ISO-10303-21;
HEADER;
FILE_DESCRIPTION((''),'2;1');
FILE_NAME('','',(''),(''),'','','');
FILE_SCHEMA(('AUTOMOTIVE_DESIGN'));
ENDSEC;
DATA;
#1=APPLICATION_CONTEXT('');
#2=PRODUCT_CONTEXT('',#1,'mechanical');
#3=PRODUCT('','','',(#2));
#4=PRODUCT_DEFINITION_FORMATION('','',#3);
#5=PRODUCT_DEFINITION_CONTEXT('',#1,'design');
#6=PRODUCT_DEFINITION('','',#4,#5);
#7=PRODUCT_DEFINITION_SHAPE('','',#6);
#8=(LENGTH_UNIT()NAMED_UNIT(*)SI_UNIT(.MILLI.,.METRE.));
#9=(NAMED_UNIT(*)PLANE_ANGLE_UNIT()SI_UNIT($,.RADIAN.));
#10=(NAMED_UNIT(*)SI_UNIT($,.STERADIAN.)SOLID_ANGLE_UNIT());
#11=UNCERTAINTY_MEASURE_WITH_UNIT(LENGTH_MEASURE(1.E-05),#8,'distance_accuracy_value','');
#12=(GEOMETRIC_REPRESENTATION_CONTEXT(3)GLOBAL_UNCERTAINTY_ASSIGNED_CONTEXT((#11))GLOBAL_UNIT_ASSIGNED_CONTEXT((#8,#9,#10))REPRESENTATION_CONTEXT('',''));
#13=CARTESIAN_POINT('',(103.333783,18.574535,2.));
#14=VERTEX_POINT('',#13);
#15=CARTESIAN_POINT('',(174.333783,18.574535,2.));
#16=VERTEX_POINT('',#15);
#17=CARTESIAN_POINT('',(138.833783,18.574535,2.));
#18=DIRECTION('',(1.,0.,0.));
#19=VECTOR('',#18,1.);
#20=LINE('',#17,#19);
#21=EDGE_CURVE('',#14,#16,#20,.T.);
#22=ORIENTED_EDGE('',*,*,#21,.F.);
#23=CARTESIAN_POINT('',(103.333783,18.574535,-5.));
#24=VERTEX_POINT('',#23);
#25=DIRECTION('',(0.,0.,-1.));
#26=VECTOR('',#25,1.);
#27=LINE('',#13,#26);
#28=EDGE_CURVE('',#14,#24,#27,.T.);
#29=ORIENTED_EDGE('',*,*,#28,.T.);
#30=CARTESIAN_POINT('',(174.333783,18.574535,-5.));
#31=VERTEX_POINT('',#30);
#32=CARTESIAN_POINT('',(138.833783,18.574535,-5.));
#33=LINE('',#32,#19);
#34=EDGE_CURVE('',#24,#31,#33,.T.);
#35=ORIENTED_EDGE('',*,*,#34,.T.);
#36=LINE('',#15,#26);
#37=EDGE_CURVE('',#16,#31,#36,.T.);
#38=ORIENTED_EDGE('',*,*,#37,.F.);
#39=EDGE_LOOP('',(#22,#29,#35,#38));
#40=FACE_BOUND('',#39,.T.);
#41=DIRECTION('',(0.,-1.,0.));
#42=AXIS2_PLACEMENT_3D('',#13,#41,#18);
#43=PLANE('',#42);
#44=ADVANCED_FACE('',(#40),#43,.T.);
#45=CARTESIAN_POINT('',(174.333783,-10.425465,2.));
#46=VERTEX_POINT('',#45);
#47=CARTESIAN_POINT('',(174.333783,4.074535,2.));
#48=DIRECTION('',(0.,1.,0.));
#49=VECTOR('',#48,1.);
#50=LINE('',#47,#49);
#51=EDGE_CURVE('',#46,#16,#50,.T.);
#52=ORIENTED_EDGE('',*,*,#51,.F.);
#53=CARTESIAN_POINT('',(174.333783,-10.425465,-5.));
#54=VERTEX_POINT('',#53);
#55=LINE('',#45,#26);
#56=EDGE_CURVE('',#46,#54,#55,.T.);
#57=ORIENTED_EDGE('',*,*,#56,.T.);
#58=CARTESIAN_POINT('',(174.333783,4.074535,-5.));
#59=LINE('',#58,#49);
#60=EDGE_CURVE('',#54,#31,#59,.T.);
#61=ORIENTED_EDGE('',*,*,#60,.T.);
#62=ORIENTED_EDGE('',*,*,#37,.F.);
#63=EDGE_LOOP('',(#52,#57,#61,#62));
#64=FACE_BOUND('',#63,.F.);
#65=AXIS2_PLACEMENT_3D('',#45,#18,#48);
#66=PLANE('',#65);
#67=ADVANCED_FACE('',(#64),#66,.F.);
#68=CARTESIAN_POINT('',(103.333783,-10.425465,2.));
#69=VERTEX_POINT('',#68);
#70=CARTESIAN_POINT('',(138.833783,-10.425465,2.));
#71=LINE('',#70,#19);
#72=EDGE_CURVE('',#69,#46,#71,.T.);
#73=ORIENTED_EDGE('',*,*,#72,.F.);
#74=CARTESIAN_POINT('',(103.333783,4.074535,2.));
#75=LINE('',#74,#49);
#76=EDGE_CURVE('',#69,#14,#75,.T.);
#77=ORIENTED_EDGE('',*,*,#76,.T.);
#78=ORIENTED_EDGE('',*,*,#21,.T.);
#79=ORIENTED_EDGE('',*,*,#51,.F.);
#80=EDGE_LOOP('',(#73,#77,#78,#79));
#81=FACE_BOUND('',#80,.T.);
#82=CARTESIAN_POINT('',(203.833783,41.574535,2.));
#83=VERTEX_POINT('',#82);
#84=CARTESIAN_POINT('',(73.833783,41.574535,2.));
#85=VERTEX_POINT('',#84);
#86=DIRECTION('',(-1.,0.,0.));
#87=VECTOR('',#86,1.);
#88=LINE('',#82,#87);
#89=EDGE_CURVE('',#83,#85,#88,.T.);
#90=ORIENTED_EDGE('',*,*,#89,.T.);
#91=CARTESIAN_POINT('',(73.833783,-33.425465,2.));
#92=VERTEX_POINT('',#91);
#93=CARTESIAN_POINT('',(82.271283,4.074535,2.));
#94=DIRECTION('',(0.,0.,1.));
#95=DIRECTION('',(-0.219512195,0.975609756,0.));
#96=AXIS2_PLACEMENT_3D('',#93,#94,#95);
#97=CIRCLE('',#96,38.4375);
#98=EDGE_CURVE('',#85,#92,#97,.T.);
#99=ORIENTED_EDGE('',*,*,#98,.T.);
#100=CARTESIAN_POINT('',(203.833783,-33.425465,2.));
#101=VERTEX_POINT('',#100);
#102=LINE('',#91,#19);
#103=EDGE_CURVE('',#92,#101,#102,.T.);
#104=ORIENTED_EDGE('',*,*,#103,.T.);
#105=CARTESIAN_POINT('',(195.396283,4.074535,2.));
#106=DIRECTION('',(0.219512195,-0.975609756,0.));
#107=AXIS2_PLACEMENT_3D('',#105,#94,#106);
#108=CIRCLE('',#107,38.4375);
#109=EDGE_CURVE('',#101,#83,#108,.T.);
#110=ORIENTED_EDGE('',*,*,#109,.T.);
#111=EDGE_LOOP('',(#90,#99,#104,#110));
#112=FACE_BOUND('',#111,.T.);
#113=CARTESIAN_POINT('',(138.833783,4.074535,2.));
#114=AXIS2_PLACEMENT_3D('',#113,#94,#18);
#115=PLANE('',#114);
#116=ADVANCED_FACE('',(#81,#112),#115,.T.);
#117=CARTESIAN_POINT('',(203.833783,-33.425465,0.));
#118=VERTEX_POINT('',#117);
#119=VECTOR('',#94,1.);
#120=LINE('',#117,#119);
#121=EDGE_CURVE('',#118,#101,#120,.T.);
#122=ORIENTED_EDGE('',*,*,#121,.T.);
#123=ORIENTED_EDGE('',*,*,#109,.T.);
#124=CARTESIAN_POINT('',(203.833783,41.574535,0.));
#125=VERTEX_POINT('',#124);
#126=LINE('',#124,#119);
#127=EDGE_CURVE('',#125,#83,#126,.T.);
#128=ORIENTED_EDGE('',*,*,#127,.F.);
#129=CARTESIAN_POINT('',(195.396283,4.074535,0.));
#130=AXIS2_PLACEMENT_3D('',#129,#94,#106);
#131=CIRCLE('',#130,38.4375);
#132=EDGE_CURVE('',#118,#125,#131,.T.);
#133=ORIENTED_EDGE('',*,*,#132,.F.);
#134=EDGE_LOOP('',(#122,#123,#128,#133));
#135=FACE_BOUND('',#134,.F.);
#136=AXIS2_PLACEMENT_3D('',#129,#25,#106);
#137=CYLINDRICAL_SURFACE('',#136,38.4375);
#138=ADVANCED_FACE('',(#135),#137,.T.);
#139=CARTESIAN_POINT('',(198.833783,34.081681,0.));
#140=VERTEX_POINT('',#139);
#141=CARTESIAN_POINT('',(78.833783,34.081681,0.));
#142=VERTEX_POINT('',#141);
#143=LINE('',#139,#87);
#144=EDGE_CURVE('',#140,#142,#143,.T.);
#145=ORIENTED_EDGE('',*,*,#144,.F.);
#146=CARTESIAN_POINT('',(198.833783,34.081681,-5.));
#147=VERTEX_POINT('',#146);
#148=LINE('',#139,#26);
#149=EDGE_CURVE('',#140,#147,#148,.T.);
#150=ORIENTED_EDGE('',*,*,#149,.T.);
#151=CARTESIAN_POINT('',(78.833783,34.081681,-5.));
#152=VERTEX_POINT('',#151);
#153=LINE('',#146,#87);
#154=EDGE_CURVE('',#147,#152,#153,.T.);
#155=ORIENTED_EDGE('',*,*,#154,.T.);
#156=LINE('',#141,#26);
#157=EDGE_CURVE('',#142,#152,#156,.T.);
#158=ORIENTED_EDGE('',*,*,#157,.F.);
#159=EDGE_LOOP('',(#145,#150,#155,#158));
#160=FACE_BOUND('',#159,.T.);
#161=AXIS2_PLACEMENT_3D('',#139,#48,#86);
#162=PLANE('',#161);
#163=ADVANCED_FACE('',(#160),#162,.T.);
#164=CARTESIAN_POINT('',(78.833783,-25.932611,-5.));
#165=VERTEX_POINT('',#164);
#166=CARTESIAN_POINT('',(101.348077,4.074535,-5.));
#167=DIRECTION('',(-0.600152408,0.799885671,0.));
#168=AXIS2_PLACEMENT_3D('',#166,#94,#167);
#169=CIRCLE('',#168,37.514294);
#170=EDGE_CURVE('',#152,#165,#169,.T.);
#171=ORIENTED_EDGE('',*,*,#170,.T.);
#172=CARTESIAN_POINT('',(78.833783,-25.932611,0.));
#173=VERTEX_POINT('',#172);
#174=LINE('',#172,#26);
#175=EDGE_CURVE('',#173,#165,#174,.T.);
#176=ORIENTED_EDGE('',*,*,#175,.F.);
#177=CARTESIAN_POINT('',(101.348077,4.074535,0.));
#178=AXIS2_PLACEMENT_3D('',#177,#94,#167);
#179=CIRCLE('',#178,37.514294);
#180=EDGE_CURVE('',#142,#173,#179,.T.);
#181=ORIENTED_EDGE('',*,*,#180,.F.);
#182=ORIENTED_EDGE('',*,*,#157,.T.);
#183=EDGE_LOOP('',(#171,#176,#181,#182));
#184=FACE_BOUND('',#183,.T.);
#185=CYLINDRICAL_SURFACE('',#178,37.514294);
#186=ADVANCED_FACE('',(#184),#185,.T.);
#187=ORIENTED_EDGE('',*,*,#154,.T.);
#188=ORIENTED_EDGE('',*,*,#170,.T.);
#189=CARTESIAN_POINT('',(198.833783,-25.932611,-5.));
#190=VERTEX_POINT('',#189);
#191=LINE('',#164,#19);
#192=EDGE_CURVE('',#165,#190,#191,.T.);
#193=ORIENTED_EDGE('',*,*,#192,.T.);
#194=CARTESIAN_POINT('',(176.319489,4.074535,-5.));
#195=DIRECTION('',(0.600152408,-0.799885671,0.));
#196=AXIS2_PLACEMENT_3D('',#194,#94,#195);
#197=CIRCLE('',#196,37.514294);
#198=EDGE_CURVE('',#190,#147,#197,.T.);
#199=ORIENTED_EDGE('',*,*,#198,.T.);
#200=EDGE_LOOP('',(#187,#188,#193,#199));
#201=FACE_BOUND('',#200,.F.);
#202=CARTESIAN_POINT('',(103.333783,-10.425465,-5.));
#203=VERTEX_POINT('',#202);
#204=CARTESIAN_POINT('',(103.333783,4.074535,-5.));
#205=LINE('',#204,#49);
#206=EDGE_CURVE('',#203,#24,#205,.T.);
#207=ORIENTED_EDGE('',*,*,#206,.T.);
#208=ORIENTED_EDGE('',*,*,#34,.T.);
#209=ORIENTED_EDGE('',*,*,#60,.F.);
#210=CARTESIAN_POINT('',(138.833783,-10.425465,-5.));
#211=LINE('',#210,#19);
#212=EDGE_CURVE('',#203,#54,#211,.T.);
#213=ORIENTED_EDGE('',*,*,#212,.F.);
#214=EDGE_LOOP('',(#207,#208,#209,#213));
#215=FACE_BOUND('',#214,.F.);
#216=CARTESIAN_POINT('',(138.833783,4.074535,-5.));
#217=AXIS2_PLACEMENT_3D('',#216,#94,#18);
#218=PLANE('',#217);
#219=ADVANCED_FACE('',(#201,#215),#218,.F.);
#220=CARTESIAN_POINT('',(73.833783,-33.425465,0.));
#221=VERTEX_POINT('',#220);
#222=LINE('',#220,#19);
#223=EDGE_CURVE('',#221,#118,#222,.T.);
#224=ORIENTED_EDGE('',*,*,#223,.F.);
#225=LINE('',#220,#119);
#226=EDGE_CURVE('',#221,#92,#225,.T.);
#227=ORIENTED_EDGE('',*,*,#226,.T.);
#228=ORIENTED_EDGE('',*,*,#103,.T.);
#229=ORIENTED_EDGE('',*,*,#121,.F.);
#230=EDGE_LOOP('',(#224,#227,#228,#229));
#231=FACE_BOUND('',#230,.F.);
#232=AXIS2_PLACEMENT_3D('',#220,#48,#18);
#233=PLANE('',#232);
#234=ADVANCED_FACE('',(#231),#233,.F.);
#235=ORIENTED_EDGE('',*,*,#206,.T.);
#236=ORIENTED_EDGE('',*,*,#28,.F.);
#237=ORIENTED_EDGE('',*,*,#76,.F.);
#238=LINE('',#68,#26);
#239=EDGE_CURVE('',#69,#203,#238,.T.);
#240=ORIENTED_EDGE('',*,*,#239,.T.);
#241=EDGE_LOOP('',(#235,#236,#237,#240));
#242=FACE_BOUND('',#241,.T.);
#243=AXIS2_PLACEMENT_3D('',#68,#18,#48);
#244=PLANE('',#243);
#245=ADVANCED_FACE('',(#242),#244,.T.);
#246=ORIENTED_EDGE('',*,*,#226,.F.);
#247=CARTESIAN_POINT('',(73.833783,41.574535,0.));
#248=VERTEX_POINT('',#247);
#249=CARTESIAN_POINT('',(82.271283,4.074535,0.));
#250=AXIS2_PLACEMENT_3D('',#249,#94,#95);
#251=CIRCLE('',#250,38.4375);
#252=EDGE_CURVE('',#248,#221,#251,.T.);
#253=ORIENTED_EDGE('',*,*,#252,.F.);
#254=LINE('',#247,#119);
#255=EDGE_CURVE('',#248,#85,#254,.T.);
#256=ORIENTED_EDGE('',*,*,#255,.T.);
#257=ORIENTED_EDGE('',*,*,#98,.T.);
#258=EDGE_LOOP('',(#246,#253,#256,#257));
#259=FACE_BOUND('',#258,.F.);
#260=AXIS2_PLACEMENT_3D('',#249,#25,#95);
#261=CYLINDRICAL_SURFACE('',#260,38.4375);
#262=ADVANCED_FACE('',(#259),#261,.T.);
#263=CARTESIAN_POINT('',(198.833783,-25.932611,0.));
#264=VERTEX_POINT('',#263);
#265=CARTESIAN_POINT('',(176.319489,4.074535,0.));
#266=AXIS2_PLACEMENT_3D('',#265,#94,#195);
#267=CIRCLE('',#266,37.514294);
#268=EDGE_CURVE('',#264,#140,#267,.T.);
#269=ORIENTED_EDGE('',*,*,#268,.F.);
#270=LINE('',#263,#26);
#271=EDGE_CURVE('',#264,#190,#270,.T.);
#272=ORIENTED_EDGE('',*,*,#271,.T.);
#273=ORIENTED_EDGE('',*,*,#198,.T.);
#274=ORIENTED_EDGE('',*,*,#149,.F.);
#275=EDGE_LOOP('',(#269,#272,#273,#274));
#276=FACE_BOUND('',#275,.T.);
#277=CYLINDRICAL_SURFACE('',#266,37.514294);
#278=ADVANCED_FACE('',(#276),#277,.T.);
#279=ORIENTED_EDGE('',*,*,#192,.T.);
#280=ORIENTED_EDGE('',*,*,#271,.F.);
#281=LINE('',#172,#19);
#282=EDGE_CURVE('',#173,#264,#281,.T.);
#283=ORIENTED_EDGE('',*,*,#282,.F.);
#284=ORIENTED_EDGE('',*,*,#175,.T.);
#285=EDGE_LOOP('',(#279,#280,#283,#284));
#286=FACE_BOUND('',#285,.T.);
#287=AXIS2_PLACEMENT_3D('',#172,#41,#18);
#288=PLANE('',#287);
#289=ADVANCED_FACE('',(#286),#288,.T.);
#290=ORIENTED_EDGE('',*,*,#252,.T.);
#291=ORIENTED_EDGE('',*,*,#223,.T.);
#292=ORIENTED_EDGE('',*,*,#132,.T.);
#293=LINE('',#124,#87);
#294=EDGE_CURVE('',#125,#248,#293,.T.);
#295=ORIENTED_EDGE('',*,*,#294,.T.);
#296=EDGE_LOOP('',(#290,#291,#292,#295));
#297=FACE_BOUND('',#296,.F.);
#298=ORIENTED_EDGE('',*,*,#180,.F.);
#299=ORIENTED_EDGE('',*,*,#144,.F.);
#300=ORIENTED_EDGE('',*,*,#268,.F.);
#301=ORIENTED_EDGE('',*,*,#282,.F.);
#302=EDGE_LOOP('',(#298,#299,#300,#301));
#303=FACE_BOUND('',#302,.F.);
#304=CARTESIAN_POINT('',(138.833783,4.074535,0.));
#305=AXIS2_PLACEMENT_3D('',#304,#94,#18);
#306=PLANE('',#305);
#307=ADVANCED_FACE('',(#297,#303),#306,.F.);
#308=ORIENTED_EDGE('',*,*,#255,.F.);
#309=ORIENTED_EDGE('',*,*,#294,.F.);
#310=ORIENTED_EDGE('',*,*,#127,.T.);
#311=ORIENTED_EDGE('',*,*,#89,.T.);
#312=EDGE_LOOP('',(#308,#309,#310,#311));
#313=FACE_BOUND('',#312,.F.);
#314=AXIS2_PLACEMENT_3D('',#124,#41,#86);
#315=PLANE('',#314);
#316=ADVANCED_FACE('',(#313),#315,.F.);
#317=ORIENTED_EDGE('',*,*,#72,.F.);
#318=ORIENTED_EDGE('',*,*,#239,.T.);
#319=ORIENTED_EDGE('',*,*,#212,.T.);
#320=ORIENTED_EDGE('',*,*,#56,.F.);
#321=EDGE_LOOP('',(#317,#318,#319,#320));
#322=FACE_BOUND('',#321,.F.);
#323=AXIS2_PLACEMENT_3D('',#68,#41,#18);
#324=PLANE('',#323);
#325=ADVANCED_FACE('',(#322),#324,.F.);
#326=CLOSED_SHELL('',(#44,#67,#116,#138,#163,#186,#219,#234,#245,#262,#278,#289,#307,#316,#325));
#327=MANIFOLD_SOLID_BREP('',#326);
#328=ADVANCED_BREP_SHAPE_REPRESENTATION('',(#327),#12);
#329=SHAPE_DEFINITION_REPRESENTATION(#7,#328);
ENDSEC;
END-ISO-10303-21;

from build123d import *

# Parameters (mm, degrees)
F0_DEPTH = 2
F3_DEPTH = 5
F1_W     = 71
F1_H     = 29
F4_DEPTH = 7


with BuildPart() as f0:
    # F5 (on Top) → F0 (new body)
    with BuildSketch(Plane.XY):
        with BuildLine():
            Line((203.833783, 41.574535), (73.833783, 41.574535))
            ThreePointArc((73.833783, 41.574535), (43.833783, 4.074535), (73.833783, -33.425465))
            Line((73.833783, -33.425465), (203.833783, -33.425465))
            ThreePointArc((203.833783, -33.425465), (233.833783, 4.074535), (203.833783, 41.574535))
        make_face()
    extrude(amount=F0_DEPTH)

    # F2 (on face) → F3 (join)
    with BuildSketch(Plane.XY):
        with BuildLine():
            ThreePointArc((78.833783, 34.081681), (63.833783, 4.074535), (78.833783, -25.932611))
            Line((78.833783, -25.932611), (198.833783, -25.932611))
            ThreePointArc((198.833783, -25.932611), (213.833783, 4.074535), (198.833783, 34.081681))
            Line((198.833783, 34.081681), (78.833783, 34.081681))
        make_face()
    extrude(amount=-F3_DEPTH)

    # F1 (on face) → F4 (cut, through all)
    with BuildSketch(Plane.XY.offset(2)):
        with Locations((138.833783, 4.074535)):
            Rectangle(F1_W, F1_H)
    extrude(amount=-F4_DEPTH, mode=Mode.SUBTRACT)


solid = f0.part
